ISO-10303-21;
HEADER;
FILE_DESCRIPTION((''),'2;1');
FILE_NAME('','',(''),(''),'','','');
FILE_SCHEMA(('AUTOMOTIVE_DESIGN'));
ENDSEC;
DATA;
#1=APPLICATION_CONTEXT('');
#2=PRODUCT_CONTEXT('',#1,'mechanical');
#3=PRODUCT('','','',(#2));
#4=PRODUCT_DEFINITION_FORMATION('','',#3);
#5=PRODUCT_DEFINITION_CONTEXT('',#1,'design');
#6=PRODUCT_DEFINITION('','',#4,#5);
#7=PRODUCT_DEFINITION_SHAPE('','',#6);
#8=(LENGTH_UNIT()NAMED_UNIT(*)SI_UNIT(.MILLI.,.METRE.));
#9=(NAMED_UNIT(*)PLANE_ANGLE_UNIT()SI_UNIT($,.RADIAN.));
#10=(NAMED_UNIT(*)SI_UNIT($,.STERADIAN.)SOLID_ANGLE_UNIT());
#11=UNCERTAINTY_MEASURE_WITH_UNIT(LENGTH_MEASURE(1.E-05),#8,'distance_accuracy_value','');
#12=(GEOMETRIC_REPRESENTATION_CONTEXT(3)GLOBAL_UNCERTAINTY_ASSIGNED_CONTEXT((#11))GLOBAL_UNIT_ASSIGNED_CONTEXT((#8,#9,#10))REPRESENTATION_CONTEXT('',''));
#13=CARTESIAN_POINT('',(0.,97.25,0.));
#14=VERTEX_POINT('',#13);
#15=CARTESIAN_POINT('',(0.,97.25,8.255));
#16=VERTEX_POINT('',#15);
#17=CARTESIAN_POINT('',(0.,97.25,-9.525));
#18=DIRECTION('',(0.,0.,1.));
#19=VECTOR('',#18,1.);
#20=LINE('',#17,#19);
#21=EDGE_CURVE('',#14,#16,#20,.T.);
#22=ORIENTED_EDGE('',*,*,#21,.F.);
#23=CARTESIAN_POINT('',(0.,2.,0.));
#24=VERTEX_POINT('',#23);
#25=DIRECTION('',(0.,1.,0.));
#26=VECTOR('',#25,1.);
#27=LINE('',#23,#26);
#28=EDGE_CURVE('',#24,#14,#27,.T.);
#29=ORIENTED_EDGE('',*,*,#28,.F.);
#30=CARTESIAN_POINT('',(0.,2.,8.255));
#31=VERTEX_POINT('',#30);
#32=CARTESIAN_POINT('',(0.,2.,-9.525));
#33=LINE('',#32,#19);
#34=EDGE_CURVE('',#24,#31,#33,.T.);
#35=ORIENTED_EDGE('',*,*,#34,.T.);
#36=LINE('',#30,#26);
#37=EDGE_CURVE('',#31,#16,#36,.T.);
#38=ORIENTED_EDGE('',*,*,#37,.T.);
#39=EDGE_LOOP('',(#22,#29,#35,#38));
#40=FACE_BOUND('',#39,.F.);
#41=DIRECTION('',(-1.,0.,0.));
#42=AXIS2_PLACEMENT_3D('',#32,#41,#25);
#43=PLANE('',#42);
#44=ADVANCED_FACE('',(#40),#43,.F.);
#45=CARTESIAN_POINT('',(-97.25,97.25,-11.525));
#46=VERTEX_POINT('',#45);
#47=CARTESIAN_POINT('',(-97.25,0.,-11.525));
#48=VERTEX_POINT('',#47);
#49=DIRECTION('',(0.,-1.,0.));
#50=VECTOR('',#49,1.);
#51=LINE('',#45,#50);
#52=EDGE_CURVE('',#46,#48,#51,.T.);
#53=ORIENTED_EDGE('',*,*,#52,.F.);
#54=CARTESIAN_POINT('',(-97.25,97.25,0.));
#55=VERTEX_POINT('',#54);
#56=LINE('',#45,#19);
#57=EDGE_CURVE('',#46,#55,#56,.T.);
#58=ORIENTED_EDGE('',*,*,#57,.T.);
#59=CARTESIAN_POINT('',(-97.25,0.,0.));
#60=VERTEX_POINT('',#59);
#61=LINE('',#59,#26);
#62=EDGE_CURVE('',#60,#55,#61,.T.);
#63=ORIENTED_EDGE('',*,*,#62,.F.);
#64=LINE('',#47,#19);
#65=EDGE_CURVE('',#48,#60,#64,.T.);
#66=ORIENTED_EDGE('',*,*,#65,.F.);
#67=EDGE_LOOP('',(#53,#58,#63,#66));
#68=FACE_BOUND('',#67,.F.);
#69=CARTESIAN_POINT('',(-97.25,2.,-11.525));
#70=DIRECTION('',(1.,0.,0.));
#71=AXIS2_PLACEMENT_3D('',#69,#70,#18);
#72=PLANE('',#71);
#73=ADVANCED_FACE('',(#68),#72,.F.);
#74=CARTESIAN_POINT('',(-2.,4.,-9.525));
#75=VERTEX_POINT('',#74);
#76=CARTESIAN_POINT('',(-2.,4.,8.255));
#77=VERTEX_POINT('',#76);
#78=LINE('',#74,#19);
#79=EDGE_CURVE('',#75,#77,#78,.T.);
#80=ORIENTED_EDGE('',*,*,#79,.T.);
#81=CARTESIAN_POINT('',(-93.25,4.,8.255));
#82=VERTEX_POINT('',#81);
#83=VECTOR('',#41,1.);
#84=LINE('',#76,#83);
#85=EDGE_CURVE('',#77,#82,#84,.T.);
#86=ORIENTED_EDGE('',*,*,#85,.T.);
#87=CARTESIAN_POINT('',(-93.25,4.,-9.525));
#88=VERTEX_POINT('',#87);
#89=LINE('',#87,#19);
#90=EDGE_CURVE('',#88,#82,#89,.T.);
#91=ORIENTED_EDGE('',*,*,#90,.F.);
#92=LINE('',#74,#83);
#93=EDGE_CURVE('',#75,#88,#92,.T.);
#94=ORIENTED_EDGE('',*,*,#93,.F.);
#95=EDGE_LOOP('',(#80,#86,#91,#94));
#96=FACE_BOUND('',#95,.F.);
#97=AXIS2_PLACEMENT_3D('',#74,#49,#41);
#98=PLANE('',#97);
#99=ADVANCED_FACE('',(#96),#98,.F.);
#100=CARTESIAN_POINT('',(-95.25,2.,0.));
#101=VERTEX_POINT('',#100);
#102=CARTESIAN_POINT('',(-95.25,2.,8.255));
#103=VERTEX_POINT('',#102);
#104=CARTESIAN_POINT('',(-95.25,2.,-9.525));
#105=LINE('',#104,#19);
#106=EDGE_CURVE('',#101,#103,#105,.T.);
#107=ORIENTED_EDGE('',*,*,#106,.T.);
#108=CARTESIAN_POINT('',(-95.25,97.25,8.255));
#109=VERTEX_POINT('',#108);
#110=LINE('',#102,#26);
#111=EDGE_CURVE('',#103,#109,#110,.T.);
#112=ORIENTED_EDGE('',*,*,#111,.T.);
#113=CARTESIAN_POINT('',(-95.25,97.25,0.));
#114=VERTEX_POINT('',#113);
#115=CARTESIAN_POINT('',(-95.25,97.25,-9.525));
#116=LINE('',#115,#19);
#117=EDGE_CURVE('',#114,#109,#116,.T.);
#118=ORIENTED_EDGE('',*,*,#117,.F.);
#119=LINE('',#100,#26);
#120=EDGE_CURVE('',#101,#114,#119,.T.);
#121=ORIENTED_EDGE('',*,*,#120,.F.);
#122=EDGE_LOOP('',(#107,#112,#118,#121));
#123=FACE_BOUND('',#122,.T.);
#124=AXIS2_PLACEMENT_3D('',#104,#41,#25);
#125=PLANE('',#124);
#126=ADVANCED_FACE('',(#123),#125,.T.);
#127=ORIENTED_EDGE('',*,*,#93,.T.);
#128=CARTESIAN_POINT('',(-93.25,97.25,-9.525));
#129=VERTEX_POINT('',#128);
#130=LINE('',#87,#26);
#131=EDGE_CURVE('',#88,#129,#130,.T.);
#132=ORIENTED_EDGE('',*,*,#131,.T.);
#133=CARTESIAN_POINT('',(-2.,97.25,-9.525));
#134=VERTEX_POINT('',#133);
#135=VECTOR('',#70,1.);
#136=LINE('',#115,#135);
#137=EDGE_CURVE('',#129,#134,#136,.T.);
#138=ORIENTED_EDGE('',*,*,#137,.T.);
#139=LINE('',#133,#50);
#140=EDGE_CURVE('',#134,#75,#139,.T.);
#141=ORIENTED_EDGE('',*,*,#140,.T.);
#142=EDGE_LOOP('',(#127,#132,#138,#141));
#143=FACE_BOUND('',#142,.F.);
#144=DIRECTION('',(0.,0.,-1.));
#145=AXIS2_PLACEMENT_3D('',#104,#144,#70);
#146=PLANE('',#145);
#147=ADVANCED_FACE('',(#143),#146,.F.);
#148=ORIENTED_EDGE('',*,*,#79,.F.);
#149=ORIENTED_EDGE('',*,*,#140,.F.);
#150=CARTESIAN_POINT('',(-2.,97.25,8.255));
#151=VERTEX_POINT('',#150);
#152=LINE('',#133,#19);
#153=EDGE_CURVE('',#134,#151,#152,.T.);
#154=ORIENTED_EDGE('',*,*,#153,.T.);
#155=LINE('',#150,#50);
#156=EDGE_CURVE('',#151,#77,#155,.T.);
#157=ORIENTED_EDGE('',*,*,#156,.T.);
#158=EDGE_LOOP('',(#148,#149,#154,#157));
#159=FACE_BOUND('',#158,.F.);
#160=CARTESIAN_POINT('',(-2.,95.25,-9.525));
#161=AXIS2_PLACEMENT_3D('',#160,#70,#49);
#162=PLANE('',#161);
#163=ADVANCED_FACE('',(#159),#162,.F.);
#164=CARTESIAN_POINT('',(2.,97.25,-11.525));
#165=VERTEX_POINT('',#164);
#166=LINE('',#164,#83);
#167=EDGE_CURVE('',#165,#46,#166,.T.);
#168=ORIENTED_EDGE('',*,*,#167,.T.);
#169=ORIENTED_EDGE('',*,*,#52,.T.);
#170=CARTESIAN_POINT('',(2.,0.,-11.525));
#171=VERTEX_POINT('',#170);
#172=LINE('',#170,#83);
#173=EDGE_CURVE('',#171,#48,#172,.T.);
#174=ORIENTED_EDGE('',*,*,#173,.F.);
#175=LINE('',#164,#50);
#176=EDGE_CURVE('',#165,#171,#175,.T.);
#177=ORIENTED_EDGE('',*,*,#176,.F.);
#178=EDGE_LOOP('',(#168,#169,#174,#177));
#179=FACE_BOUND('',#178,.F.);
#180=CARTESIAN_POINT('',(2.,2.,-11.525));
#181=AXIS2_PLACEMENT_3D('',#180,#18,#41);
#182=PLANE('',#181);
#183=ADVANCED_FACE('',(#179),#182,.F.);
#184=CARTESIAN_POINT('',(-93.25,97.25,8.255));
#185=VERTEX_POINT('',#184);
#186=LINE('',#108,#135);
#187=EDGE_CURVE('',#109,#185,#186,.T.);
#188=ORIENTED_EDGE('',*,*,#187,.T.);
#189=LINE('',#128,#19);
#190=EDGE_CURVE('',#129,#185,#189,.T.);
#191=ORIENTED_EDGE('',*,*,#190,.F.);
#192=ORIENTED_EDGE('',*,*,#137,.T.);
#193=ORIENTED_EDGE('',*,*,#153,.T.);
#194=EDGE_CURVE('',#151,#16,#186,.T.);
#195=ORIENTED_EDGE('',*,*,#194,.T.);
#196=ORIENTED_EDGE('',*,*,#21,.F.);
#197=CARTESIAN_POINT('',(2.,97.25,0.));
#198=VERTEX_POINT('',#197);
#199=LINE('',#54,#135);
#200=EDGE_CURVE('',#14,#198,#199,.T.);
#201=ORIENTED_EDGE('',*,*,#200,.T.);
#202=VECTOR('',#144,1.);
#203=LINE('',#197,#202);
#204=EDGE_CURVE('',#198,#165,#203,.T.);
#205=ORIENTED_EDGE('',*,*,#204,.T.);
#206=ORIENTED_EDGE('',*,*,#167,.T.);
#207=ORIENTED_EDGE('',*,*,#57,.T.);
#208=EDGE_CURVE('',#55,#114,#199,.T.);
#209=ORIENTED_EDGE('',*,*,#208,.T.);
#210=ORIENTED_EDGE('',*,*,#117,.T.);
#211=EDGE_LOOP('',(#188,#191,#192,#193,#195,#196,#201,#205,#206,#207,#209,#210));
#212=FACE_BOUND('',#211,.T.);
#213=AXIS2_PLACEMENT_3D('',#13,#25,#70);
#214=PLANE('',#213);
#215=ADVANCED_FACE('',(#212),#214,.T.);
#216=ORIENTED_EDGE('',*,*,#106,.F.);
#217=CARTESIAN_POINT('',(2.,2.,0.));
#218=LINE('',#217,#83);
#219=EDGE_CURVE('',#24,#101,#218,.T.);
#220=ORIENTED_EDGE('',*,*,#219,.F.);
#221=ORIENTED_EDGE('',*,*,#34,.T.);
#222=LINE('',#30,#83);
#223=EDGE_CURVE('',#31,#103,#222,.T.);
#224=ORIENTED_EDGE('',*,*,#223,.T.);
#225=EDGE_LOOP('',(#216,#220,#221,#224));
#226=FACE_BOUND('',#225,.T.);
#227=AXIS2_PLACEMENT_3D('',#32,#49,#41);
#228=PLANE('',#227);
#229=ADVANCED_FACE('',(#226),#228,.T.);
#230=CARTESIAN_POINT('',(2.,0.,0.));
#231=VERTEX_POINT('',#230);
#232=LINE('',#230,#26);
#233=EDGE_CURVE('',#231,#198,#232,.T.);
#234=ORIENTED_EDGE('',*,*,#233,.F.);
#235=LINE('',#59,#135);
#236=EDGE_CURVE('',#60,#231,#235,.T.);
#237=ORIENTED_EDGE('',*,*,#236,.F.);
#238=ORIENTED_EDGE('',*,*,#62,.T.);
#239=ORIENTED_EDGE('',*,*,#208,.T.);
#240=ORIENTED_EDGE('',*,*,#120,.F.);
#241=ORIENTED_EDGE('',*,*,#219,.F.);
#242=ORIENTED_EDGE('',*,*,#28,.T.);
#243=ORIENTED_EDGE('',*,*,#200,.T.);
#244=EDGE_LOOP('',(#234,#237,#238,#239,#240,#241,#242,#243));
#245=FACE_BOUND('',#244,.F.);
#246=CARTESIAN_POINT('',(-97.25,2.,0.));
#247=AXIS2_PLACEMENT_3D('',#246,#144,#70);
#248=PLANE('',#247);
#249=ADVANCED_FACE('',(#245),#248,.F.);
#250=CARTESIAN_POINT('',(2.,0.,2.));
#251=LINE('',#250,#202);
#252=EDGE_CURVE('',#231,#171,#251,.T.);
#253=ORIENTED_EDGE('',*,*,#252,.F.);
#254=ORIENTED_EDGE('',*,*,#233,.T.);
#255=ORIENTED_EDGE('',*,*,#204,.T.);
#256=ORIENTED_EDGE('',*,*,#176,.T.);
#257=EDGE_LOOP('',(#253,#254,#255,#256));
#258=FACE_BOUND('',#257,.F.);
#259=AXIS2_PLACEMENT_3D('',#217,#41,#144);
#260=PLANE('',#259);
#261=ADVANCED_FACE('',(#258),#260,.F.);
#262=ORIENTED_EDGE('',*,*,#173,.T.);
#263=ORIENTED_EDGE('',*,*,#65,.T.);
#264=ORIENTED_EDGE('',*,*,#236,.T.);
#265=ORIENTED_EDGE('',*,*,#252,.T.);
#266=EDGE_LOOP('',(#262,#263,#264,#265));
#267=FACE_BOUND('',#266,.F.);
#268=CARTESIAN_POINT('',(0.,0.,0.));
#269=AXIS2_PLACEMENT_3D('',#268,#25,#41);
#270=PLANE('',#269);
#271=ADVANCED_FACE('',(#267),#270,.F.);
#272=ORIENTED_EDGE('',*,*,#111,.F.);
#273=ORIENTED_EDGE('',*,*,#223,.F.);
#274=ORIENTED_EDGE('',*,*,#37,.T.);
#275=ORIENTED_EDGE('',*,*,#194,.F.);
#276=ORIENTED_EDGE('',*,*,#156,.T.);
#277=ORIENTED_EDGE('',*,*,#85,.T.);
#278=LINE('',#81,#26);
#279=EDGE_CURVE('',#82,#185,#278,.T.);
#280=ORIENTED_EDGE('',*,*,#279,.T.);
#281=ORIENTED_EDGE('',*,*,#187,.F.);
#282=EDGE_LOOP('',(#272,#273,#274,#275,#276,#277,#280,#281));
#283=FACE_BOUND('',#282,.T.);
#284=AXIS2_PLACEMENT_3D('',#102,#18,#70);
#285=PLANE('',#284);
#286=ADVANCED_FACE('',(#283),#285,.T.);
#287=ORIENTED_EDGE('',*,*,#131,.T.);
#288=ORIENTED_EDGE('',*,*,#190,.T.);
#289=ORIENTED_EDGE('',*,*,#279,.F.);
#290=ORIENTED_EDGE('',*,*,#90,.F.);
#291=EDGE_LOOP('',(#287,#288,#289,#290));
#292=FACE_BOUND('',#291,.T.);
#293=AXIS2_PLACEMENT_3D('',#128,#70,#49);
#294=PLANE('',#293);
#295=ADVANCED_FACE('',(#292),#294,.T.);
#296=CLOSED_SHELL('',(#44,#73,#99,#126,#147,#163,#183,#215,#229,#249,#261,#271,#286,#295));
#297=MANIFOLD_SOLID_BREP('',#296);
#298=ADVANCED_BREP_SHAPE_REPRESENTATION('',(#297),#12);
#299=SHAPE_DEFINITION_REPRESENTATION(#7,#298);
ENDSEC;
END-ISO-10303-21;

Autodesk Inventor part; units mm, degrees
ref_plane "YZ Plane" through (0, 0, 0) normal (1, 0, 0) x (0, 1, 0)
ref_plane "XZ Plane" through (0, 0, 0) normal (0, 1, 0) x (-1, 0, 0)
ref_plane "XY Plane" through (0, 0, 0) normal (0, 0, 1) x (1, 0, 0)
sketch "Sketch1" plane through (0, 0, 0) normal (0, 1, 0) x (-1, 0, 0)
  line L0 (0, 0) -> (95.25, 0)
  line L1 (95.25, 0) -> (95.25, -9.525)
  line L2 (95.25, -9.525) -> (0, -9.525)
  line L3 (0, -9.525) -> (0, 0)
  line L4 (-2, -11.525) -> (97.25, -11.525)
  line L5 (97.25, -11.525) -> (97.25, 2)
  line L6 (97.25, 2) -> (-2, 2)
  line L7 (-2, 2) -> (-2, -11.525)
  line L8 (95.25, 0) -> (97.25, 0)
  line L9 (0, 0) -> (-2, 0)
  dimension "d0" = 95.25
  dimension "d1" = 9.525
  dimension "d4" = 2
extrude "Extrusion1" add sketch "Sketch1" along normal blind 2 contours L0 L1 L2 L3 | L3 L2 L1 L8 L5 L4 L7 L9
sketch "Sketch2" plane through (0, 2, 0) normal (0, 1, 0) x (1, 0, 0)
  line L0 (-97.25, 0) -> (2, 0) projected
  line L1 (2, 0) -> (2, 11.525) projected
  line L2 (2, 11.525) -> (-97.25, 11.525) projected
  line L3 (-97.25, 11.525) -> (-97.25, 0) projected
  line L4 (0, 9.525) -> (0, 2)
  line L5 (0, 2) -> (-95.25, 2)
  line L6 (-95.25, 2) -> (-95.25, 9.525)
  line L7 (-95.25, 9.525) -> (0, 9.525)
  line L8 (0, 2) -> (0, 0)
  line L9 (-95.25, 2) -> (-95.25, 0)
  dimension "d5" = 2
extrude "Extrusion2" add sketch "Sketch2" along normal blind 95.25 contours L3 L2 L1 L0 L8 L4 L7 L6 L9
sketch "Sketch4" plane through (-95.25, 2, -9.525) normal (0, 0, 1) x (1, 0, 0)
  line L0 (95.25, 0) -> (0, 0) projected
  line L1 (95.25, 0) -> (95.25, 95.25) projected
  line L2 (0, 95.25) -> (95.25, 95.25) projected
  line L3 (0, 0) -> (0, 95.25) projected
  line L4 (2, 93.25) -> (93.25, 93.25)
  line L5 (93.25, 93.25) -> (93.25, 2)
  line L6 (93.25, 2) -> (2, 2)
  line L7 (2, 2) -> (2, 93.25)
  line L8 (2, 93.25) -> (93.25, 93.25)
  line L9 (93.25, 93.25) -> (93.25, 95.25)
  line L10 (93.25, 95.25) -> (2, 95.25)
  line L11 (2, 95.25) -> (2, 93.25)
  point P0 (95.25, -2)
  point P1 (2, 95.25)
  dimension "d11" = 2
extrude "Extrusion4" add sketch "Sketch4" along normal blind 17.78 contours L0 L3 L2 L11 L7 L6 L5 L9 L1
properties part number "front"
